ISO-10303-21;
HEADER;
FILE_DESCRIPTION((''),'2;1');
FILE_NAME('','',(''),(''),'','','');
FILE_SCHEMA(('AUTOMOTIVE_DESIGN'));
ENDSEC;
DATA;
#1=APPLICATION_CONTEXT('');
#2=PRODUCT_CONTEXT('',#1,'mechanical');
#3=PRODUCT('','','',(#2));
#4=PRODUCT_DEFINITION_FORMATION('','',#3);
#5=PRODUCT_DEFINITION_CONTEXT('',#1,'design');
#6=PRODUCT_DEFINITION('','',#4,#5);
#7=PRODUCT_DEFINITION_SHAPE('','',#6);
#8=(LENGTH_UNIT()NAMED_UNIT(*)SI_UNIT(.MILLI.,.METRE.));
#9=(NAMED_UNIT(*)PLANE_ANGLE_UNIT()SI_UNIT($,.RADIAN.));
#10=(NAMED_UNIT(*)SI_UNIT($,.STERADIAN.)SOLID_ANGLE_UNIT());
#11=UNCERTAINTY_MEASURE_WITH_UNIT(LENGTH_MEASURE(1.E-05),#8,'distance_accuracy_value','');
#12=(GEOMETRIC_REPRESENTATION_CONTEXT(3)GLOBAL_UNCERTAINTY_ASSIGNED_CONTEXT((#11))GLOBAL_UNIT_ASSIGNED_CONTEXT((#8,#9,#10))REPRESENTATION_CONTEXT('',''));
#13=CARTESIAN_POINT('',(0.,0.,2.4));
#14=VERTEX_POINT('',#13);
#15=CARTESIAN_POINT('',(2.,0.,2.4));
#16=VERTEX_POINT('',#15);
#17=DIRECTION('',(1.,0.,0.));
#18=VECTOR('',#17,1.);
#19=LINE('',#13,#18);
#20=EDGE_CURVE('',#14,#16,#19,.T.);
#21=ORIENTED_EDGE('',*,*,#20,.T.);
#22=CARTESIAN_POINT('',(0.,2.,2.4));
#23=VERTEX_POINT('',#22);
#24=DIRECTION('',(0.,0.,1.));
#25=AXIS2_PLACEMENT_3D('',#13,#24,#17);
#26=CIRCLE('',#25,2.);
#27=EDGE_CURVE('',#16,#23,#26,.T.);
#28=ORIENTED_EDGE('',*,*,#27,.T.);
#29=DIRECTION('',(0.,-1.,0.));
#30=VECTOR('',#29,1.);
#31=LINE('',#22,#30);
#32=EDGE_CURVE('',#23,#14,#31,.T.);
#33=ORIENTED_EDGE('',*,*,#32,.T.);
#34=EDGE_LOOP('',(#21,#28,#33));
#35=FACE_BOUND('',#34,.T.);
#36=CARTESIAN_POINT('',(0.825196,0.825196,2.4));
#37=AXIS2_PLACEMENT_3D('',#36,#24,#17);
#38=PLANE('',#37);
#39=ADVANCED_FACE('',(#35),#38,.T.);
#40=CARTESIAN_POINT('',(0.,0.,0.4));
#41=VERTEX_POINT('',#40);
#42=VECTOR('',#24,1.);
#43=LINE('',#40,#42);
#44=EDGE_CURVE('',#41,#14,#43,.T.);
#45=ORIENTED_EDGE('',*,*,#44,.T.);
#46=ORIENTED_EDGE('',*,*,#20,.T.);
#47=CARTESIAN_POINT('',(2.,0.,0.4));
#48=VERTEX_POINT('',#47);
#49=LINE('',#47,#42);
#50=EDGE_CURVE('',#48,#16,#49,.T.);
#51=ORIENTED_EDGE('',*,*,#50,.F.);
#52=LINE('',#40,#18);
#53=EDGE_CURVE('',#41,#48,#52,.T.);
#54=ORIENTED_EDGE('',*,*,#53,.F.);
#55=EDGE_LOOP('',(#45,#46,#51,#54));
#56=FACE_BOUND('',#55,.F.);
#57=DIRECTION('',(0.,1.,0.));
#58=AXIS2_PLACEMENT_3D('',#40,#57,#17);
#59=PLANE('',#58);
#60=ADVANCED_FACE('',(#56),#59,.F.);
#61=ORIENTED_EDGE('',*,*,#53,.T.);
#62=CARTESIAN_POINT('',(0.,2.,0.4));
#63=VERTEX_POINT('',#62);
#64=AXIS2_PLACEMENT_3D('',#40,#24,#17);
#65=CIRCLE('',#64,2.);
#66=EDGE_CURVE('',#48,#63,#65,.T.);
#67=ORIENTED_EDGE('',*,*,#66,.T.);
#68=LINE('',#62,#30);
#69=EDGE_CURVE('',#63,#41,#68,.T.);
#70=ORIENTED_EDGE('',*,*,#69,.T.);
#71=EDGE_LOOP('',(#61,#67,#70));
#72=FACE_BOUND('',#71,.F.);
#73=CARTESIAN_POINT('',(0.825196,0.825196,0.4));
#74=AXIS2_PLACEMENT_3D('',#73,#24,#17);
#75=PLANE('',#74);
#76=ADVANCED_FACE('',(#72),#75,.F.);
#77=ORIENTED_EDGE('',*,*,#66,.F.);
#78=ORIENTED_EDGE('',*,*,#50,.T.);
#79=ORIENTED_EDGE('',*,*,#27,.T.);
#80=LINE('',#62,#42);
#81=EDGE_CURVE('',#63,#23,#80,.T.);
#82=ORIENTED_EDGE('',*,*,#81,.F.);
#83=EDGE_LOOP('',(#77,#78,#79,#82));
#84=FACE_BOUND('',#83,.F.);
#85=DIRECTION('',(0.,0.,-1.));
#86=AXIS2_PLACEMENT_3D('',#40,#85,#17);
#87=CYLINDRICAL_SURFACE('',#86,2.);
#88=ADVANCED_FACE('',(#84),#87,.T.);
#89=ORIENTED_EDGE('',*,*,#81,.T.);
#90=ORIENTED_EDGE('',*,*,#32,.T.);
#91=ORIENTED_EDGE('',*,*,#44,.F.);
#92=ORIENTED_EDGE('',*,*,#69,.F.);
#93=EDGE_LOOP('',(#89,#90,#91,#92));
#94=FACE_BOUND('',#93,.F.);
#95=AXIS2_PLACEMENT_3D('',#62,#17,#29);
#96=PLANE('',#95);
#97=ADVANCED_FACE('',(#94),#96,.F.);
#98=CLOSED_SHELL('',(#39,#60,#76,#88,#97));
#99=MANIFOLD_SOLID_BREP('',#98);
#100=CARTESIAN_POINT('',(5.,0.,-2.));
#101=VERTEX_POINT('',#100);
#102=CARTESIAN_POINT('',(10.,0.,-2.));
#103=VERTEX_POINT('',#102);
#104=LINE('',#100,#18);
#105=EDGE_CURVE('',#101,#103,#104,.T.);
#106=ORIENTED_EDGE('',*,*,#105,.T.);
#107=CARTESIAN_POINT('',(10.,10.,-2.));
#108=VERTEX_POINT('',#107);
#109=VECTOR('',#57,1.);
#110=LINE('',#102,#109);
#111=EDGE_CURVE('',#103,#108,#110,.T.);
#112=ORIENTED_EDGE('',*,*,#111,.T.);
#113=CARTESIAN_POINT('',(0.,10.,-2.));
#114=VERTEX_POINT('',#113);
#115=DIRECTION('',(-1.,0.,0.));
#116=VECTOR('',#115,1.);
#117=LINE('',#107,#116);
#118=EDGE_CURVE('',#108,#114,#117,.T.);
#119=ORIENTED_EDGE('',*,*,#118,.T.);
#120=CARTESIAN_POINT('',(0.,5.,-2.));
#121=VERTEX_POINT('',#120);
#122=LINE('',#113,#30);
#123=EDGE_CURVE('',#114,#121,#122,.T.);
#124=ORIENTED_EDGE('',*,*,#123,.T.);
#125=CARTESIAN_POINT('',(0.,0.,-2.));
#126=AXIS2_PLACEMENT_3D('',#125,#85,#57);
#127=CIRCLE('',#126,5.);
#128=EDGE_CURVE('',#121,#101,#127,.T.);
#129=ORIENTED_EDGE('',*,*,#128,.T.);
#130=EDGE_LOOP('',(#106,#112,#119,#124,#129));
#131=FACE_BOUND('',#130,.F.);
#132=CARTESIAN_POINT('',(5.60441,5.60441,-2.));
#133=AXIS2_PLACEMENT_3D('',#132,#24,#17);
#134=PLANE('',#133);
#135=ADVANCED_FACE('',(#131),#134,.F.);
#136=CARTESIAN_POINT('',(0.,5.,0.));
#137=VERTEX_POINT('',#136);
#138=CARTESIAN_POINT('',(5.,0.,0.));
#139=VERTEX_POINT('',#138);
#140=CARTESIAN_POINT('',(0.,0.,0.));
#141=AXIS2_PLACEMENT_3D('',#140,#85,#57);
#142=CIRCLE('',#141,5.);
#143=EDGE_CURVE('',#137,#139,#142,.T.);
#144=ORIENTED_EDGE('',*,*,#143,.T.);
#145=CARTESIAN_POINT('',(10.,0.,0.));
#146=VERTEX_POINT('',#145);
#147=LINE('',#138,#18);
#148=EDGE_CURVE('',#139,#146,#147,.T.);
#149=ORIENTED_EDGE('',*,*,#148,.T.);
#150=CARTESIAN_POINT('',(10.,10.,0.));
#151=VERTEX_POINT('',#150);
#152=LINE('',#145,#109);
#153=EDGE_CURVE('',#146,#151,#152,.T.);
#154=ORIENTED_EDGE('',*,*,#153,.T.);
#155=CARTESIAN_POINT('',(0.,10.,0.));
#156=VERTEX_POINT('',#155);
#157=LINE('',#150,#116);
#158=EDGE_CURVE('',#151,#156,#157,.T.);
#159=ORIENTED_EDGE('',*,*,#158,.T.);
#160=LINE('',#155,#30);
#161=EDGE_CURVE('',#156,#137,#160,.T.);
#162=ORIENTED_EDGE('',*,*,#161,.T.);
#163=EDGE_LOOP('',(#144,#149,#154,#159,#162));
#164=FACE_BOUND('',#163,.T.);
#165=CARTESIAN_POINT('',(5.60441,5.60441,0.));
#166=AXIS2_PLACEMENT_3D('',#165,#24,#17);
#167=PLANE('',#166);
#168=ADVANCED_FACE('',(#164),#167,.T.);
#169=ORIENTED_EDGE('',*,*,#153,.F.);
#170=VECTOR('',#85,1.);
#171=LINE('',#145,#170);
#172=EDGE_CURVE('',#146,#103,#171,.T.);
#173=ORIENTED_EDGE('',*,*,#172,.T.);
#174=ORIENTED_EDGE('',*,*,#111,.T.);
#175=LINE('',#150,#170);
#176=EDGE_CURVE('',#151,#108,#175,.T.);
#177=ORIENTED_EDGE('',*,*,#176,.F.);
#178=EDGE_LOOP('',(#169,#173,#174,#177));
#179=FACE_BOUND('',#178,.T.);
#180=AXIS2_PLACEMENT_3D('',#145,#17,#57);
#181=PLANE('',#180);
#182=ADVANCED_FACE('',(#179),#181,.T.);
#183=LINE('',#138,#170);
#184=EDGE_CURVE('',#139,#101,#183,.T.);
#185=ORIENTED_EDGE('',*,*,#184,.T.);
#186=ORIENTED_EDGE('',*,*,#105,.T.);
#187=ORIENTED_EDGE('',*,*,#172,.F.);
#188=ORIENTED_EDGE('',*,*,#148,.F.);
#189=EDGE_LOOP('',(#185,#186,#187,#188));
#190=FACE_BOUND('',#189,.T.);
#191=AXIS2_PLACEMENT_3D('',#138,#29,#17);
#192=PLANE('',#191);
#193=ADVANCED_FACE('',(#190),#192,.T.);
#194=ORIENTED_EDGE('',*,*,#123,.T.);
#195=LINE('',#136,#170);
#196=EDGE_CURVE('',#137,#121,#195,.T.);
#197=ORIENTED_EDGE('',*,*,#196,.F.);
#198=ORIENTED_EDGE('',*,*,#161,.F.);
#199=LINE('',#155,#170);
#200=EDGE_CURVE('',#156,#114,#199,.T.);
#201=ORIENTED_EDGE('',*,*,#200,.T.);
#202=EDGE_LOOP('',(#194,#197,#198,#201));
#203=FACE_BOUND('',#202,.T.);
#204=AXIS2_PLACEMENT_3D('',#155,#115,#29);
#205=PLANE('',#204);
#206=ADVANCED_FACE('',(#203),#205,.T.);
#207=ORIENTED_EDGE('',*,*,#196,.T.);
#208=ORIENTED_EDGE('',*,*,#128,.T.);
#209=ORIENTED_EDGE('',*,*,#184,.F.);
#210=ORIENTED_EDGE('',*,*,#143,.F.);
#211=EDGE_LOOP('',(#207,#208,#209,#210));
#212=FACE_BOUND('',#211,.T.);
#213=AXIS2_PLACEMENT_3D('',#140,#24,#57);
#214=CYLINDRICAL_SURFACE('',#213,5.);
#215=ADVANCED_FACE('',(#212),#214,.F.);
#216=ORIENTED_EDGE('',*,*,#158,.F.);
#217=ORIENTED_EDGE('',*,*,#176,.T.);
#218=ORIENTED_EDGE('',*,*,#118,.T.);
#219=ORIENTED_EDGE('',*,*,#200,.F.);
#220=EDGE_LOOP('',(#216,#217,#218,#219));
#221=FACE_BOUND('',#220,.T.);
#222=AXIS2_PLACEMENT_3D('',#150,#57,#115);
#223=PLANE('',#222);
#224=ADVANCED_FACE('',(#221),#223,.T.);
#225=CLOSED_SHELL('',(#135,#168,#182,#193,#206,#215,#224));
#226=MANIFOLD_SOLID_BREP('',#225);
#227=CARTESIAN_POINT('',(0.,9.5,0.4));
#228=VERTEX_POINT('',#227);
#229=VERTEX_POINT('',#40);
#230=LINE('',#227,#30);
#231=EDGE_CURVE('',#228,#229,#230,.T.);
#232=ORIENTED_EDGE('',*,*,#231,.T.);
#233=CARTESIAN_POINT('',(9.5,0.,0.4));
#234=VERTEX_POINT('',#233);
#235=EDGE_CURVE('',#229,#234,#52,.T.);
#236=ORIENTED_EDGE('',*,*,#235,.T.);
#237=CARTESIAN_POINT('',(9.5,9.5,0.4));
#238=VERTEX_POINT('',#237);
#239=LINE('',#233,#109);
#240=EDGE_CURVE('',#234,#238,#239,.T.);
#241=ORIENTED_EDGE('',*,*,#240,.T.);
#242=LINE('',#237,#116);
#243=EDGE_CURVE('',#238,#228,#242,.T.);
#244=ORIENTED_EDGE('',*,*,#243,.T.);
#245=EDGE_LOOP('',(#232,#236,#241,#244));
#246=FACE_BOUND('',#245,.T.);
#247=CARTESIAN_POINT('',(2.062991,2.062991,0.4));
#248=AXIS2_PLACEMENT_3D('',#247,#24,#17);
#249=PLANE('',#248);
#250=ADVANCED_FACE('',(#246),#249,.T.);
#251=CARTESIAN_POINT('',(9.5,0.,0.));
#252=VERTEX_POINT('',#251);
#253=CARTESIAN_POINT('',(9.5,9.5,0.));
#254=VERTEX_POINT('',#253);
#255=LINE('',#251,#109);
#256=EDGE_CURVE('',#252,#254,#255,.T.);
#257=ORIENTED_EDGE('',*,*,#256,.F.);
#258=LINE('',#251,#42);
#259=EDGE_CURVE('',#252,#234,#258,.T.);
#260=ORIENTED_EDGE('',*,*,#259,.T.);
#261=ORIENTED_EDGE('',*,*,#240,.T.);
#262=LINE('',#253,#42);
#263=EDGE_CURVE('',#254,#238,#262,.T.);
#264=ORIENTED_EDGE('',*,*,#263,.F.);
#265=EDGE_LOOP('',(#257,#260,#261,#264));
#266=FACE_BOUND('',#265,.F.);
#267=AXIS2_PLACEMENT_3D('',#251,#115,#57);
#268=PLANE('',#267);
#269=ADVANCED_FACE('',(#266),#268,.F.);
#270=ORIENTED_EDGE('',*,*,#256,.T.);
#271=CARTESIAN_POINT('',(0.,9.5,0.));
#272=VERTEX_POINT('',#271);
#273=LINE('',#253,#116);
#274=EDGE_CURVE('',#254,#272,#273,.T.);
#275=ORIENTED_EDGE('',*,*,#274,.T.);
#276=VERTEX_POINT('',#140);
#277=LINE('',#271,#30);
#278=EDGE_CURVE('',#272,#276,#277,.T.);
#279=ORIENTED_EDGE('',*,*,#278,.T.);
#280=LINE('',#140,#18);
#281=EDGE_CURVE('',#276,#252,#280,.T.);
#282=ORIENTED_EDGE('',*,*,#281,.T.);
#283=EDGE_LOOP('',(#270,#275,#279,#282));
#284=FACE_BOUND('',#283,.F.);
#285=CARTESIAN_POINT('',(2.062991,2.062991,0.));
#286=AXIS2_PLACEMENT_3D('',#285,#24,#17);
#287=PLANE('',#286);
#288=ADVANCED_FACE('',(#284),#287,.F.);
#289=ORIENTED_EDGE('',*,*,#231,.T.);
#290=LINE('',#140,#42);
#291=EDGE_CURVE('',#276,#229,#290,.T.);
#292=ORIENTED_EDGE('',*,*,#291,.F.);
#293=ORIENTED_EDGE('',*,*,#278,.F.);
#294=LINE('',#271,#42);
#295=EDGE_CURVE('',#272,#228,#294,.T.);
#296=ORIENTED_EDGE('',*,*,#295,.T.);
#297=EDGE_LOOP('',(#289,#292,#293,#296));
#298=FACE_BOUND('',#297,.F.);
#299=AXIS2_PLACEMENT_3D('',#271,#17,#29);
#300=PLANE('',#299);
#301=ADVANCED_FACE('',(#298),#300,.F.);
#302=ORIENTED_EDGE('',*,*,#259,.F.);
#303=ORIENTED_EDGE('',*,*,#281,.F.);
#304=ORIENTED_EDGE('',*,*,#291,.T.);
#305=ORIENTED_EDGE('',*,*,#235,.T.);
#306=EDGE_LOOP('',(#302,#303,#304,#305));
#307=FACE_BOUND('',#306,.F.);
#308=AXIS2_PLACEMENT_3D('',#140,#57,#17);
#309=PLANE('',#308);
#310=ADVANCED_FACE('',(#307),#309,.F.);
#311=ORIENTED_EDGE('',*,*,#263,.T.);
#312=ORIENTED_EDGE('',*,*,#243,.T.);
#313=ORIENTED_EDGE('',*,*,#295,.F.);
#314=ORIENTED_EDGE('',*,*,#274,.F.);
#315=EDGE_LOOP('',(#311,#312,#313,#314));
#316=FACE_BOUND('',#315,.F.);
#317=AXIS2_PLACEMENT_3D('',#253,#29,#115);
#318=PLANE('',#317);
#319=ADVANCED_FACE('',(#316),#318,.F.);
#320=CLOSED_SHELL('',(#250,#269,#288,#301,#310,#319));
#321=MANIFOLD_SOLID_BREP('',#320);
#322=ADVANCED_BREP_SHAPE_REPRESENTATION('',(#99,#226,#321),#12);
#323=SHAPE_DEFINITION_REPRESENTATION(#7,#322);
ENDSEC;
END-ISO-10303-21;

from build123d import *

# Parameters (mm, degrees)
F1_DEPTH = 2
F3_DEPTH = 0.4
F5_DEPTH = 2


with BuildPart() as f1:
    # F0 (on Top) → F1 (new body)
    with BuildSketch(Plane.XY):
        with BuildLine():
            ThreePointArc((0, 5), (3.5355339059, 3.5355339059), (5, 0))
            Line((5, 0), (10, 0))
            Line((10, 0), (10, 10))
            Line((10, 10), (0, 10))
            Line((0, 10), (0, 5))
        make_face()
    extrude(amount=-F1_DEPTH)


with BuildPart() as f3:
    # F2 (on face) → F3 (new body)
    with BuildSketch(Plane.XY):
        with BuildLine():
            Line((0, 5), (0, 0))
            Line((0, 0), (5, 0))
            ThreePointArc((5, 0), (3.5355339059, 3.5355339059), (0, 5))
        make_face()
        with BuildLine():
            ThreePointArc((0, 5), (3.5355339059, 3.5355339059), (5, 0))
            Line((5, 0), (9.5, 0))
            Line((9.5, 0), (9.5, 9.5))
            Line((9.5, 9.5), (0, 9.5))
            Line((0, 9.5), (0, 5))
        make_face()
    extrude(amount=F3_DEPTH)


with BuildPart() as f5:
    # F4 (on face) → F5 (new body)
    with BuildSketch(Plane.XY.offset(0.4)):
        with BuildLine():
            Line((0, 0), (2, 0))
            ThreePointArc((2, 0), (1.4142135624, 1.4142135624), (0, 2))
            Line((0, 2), (0, 0))
        make_face()
    extrude(amount=F5_DEPTH)


solid = Compound([f1.part, f3.part, f5.part])
